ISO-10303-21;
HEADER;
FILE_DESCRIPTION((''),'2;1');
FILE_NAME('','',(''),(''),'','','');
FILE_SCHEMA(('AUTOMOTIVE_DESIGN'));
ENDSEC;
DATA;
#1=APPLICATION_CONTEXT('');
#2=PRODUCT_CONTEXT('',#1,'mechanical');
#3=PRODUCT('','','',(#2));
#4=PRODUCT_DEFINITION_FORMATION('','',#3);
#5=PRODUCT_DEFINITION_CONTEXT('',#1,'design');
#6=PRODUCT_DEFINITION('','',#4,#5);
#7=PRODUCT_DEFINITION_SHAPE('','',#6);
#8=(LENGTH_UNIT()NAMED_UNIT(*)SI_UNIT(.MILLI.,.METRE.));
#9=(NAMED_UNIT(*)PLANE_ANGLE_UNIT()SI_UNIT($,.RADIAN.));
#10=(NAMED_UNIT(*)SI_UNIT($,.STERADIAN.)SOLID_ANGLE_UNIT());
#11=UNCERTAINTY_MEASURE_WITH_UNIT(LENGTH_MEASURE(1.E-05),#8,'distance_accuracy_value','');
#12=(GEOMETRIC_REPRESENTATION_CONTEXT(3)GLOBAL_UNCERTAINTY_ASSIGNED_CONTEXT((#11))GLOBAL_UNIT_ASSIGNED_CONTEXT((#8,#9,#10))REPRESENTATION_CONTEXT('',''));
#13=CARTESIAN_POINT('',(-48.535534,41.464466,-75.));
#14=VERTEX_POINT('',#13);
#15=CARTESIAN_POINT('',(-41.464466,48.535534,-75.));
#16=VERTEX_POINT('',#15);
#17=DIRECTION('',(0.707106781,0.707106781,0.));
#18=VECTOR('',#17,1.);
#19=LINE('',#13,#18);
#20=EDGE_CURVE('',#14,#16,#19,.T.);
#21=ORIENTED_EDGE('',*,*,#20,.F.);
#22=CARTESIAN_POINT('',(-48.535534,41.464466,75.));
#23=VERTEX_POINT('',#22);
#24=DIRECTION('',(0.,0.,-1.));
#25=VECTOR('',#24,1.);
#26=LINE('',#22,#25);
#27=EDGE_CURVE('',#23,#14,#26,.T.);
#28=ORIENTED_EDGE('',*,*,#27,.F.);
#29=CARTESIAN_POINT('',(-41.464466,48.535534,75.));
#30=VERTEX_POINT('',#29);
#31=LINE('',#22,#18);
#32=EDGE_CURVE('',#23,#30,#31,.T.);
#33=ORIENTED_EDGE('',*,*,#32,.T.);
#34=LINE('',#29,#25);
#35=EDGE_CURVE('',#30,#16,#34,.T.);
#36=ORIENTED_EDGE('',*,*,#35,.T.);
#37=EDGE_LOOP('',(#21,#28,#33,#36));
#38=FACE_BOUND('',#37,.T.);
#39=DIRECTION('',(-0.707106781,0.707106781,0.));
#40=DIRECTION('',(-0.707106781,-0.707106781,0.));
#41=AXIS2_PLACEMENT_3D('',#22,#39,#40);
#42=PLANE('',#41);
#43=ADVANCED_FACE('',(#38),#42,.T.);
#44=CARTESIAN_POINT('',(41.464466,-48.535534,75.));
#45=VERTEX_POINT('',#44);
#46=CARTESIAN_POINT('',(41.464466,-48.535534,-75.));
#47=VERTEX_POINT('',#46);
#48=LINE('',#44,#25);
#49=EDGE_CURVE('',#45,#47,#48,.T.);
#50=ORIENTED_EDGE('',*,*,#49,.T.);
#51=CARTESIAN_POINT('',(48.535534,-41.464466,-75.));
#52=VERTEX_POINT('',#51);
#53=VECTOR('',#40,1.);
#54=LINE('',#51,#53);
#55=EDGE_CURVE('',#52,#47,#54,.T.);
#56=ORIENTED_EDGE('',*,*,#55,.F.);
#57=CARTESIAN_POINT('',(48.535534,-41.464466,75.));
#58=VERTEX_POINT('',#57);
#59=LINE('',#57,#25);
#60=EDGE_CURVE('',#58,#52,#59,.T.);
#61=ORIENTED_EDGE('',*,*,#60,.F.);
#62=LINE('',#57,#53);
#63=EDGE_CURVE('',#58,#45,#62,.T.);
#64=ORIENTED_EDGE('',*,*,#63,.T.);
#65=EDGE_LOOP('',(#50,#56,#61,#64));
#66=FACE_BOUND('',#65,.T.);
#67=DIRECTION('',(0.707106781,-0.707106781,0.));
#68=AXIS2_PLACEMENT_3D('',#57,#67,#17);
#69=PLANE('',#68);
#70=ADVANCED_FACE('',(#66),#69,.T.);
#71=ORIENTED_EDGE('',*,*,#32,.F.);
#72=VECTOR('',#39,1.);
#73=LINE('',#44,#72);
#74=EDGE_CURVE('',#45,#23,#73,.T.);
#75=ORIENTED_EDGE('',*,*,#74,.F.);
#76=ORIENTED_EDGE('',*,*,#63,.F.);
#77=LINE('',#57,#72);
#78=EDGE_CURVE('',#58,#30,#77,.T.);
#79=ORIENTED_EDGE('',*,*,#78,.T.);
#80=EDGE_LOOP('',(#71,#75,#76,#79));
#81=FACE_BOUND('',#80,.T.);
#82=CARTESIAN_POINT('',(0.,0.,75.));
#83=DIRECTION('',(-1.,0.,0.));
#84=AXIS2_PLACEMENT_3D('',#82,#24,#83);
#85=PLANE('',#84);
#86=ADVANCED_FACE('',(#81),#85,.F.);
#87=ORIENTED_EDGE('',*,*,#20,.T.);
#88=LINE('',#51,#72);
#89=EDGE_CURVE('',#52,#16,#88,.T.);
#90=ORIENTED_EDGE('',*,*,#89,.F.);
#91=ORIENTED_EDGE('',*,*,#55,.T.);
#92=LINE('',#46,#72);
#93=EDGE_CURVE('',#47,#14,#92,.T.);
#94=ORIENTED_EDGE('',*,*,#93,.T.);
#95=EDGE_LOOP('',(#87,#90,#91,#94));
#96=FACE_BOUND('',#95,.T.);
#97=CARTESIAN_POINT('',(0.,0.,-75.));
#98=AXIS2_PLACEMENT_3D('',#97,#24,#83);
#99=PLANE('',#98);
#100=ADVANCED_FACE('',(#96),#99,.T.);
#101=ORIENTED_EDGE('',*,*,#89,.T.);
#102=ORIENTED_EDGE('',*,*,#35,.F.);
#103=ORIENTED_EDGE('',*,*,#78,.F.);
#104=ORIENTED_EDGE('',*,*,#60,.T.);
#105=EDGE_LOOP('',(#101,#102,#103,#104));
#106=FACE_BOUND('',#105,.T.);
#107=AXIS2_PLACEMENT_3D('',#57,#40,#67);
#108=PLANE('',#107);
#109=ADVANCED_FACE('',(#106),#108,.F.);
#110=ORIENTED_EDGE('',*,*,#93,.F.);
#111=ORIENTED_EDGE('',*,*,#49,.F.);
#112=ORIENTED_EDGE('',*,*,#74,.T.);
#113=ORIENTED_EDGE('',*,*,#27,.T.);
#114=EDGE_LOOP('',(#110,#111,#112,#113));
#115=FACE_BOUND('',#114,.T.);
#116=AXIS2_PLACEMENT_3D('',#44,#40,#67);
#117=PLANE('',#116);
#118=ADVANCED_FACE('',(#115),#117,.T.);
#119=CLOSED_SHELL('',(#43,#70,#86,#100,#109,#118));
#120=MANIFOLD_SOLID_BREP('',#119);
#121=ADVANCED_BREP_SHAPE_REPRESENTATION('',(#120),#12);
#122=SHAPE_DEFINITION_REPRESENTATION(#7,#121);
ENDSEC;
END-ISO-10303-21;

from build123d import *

# Parameters (mm, degrees)
EXTRUDE_THIN1_DEPTH = 75


with BuildPart() as part:
    # Sketch1 → Extrude-Thin1 (new body, symmetric)
    with BuildSketch(Plane.XY):
        Polygon((48.535533906, -41.464466094), (-41.464466094, 48.535533906), (-48.535533906, 41.464466094), (41.464466094, -48.535533906), align=None)
    extrude(amount=EXTRUDE_THIN1_DEPTH, both=True)


solid = part.part
